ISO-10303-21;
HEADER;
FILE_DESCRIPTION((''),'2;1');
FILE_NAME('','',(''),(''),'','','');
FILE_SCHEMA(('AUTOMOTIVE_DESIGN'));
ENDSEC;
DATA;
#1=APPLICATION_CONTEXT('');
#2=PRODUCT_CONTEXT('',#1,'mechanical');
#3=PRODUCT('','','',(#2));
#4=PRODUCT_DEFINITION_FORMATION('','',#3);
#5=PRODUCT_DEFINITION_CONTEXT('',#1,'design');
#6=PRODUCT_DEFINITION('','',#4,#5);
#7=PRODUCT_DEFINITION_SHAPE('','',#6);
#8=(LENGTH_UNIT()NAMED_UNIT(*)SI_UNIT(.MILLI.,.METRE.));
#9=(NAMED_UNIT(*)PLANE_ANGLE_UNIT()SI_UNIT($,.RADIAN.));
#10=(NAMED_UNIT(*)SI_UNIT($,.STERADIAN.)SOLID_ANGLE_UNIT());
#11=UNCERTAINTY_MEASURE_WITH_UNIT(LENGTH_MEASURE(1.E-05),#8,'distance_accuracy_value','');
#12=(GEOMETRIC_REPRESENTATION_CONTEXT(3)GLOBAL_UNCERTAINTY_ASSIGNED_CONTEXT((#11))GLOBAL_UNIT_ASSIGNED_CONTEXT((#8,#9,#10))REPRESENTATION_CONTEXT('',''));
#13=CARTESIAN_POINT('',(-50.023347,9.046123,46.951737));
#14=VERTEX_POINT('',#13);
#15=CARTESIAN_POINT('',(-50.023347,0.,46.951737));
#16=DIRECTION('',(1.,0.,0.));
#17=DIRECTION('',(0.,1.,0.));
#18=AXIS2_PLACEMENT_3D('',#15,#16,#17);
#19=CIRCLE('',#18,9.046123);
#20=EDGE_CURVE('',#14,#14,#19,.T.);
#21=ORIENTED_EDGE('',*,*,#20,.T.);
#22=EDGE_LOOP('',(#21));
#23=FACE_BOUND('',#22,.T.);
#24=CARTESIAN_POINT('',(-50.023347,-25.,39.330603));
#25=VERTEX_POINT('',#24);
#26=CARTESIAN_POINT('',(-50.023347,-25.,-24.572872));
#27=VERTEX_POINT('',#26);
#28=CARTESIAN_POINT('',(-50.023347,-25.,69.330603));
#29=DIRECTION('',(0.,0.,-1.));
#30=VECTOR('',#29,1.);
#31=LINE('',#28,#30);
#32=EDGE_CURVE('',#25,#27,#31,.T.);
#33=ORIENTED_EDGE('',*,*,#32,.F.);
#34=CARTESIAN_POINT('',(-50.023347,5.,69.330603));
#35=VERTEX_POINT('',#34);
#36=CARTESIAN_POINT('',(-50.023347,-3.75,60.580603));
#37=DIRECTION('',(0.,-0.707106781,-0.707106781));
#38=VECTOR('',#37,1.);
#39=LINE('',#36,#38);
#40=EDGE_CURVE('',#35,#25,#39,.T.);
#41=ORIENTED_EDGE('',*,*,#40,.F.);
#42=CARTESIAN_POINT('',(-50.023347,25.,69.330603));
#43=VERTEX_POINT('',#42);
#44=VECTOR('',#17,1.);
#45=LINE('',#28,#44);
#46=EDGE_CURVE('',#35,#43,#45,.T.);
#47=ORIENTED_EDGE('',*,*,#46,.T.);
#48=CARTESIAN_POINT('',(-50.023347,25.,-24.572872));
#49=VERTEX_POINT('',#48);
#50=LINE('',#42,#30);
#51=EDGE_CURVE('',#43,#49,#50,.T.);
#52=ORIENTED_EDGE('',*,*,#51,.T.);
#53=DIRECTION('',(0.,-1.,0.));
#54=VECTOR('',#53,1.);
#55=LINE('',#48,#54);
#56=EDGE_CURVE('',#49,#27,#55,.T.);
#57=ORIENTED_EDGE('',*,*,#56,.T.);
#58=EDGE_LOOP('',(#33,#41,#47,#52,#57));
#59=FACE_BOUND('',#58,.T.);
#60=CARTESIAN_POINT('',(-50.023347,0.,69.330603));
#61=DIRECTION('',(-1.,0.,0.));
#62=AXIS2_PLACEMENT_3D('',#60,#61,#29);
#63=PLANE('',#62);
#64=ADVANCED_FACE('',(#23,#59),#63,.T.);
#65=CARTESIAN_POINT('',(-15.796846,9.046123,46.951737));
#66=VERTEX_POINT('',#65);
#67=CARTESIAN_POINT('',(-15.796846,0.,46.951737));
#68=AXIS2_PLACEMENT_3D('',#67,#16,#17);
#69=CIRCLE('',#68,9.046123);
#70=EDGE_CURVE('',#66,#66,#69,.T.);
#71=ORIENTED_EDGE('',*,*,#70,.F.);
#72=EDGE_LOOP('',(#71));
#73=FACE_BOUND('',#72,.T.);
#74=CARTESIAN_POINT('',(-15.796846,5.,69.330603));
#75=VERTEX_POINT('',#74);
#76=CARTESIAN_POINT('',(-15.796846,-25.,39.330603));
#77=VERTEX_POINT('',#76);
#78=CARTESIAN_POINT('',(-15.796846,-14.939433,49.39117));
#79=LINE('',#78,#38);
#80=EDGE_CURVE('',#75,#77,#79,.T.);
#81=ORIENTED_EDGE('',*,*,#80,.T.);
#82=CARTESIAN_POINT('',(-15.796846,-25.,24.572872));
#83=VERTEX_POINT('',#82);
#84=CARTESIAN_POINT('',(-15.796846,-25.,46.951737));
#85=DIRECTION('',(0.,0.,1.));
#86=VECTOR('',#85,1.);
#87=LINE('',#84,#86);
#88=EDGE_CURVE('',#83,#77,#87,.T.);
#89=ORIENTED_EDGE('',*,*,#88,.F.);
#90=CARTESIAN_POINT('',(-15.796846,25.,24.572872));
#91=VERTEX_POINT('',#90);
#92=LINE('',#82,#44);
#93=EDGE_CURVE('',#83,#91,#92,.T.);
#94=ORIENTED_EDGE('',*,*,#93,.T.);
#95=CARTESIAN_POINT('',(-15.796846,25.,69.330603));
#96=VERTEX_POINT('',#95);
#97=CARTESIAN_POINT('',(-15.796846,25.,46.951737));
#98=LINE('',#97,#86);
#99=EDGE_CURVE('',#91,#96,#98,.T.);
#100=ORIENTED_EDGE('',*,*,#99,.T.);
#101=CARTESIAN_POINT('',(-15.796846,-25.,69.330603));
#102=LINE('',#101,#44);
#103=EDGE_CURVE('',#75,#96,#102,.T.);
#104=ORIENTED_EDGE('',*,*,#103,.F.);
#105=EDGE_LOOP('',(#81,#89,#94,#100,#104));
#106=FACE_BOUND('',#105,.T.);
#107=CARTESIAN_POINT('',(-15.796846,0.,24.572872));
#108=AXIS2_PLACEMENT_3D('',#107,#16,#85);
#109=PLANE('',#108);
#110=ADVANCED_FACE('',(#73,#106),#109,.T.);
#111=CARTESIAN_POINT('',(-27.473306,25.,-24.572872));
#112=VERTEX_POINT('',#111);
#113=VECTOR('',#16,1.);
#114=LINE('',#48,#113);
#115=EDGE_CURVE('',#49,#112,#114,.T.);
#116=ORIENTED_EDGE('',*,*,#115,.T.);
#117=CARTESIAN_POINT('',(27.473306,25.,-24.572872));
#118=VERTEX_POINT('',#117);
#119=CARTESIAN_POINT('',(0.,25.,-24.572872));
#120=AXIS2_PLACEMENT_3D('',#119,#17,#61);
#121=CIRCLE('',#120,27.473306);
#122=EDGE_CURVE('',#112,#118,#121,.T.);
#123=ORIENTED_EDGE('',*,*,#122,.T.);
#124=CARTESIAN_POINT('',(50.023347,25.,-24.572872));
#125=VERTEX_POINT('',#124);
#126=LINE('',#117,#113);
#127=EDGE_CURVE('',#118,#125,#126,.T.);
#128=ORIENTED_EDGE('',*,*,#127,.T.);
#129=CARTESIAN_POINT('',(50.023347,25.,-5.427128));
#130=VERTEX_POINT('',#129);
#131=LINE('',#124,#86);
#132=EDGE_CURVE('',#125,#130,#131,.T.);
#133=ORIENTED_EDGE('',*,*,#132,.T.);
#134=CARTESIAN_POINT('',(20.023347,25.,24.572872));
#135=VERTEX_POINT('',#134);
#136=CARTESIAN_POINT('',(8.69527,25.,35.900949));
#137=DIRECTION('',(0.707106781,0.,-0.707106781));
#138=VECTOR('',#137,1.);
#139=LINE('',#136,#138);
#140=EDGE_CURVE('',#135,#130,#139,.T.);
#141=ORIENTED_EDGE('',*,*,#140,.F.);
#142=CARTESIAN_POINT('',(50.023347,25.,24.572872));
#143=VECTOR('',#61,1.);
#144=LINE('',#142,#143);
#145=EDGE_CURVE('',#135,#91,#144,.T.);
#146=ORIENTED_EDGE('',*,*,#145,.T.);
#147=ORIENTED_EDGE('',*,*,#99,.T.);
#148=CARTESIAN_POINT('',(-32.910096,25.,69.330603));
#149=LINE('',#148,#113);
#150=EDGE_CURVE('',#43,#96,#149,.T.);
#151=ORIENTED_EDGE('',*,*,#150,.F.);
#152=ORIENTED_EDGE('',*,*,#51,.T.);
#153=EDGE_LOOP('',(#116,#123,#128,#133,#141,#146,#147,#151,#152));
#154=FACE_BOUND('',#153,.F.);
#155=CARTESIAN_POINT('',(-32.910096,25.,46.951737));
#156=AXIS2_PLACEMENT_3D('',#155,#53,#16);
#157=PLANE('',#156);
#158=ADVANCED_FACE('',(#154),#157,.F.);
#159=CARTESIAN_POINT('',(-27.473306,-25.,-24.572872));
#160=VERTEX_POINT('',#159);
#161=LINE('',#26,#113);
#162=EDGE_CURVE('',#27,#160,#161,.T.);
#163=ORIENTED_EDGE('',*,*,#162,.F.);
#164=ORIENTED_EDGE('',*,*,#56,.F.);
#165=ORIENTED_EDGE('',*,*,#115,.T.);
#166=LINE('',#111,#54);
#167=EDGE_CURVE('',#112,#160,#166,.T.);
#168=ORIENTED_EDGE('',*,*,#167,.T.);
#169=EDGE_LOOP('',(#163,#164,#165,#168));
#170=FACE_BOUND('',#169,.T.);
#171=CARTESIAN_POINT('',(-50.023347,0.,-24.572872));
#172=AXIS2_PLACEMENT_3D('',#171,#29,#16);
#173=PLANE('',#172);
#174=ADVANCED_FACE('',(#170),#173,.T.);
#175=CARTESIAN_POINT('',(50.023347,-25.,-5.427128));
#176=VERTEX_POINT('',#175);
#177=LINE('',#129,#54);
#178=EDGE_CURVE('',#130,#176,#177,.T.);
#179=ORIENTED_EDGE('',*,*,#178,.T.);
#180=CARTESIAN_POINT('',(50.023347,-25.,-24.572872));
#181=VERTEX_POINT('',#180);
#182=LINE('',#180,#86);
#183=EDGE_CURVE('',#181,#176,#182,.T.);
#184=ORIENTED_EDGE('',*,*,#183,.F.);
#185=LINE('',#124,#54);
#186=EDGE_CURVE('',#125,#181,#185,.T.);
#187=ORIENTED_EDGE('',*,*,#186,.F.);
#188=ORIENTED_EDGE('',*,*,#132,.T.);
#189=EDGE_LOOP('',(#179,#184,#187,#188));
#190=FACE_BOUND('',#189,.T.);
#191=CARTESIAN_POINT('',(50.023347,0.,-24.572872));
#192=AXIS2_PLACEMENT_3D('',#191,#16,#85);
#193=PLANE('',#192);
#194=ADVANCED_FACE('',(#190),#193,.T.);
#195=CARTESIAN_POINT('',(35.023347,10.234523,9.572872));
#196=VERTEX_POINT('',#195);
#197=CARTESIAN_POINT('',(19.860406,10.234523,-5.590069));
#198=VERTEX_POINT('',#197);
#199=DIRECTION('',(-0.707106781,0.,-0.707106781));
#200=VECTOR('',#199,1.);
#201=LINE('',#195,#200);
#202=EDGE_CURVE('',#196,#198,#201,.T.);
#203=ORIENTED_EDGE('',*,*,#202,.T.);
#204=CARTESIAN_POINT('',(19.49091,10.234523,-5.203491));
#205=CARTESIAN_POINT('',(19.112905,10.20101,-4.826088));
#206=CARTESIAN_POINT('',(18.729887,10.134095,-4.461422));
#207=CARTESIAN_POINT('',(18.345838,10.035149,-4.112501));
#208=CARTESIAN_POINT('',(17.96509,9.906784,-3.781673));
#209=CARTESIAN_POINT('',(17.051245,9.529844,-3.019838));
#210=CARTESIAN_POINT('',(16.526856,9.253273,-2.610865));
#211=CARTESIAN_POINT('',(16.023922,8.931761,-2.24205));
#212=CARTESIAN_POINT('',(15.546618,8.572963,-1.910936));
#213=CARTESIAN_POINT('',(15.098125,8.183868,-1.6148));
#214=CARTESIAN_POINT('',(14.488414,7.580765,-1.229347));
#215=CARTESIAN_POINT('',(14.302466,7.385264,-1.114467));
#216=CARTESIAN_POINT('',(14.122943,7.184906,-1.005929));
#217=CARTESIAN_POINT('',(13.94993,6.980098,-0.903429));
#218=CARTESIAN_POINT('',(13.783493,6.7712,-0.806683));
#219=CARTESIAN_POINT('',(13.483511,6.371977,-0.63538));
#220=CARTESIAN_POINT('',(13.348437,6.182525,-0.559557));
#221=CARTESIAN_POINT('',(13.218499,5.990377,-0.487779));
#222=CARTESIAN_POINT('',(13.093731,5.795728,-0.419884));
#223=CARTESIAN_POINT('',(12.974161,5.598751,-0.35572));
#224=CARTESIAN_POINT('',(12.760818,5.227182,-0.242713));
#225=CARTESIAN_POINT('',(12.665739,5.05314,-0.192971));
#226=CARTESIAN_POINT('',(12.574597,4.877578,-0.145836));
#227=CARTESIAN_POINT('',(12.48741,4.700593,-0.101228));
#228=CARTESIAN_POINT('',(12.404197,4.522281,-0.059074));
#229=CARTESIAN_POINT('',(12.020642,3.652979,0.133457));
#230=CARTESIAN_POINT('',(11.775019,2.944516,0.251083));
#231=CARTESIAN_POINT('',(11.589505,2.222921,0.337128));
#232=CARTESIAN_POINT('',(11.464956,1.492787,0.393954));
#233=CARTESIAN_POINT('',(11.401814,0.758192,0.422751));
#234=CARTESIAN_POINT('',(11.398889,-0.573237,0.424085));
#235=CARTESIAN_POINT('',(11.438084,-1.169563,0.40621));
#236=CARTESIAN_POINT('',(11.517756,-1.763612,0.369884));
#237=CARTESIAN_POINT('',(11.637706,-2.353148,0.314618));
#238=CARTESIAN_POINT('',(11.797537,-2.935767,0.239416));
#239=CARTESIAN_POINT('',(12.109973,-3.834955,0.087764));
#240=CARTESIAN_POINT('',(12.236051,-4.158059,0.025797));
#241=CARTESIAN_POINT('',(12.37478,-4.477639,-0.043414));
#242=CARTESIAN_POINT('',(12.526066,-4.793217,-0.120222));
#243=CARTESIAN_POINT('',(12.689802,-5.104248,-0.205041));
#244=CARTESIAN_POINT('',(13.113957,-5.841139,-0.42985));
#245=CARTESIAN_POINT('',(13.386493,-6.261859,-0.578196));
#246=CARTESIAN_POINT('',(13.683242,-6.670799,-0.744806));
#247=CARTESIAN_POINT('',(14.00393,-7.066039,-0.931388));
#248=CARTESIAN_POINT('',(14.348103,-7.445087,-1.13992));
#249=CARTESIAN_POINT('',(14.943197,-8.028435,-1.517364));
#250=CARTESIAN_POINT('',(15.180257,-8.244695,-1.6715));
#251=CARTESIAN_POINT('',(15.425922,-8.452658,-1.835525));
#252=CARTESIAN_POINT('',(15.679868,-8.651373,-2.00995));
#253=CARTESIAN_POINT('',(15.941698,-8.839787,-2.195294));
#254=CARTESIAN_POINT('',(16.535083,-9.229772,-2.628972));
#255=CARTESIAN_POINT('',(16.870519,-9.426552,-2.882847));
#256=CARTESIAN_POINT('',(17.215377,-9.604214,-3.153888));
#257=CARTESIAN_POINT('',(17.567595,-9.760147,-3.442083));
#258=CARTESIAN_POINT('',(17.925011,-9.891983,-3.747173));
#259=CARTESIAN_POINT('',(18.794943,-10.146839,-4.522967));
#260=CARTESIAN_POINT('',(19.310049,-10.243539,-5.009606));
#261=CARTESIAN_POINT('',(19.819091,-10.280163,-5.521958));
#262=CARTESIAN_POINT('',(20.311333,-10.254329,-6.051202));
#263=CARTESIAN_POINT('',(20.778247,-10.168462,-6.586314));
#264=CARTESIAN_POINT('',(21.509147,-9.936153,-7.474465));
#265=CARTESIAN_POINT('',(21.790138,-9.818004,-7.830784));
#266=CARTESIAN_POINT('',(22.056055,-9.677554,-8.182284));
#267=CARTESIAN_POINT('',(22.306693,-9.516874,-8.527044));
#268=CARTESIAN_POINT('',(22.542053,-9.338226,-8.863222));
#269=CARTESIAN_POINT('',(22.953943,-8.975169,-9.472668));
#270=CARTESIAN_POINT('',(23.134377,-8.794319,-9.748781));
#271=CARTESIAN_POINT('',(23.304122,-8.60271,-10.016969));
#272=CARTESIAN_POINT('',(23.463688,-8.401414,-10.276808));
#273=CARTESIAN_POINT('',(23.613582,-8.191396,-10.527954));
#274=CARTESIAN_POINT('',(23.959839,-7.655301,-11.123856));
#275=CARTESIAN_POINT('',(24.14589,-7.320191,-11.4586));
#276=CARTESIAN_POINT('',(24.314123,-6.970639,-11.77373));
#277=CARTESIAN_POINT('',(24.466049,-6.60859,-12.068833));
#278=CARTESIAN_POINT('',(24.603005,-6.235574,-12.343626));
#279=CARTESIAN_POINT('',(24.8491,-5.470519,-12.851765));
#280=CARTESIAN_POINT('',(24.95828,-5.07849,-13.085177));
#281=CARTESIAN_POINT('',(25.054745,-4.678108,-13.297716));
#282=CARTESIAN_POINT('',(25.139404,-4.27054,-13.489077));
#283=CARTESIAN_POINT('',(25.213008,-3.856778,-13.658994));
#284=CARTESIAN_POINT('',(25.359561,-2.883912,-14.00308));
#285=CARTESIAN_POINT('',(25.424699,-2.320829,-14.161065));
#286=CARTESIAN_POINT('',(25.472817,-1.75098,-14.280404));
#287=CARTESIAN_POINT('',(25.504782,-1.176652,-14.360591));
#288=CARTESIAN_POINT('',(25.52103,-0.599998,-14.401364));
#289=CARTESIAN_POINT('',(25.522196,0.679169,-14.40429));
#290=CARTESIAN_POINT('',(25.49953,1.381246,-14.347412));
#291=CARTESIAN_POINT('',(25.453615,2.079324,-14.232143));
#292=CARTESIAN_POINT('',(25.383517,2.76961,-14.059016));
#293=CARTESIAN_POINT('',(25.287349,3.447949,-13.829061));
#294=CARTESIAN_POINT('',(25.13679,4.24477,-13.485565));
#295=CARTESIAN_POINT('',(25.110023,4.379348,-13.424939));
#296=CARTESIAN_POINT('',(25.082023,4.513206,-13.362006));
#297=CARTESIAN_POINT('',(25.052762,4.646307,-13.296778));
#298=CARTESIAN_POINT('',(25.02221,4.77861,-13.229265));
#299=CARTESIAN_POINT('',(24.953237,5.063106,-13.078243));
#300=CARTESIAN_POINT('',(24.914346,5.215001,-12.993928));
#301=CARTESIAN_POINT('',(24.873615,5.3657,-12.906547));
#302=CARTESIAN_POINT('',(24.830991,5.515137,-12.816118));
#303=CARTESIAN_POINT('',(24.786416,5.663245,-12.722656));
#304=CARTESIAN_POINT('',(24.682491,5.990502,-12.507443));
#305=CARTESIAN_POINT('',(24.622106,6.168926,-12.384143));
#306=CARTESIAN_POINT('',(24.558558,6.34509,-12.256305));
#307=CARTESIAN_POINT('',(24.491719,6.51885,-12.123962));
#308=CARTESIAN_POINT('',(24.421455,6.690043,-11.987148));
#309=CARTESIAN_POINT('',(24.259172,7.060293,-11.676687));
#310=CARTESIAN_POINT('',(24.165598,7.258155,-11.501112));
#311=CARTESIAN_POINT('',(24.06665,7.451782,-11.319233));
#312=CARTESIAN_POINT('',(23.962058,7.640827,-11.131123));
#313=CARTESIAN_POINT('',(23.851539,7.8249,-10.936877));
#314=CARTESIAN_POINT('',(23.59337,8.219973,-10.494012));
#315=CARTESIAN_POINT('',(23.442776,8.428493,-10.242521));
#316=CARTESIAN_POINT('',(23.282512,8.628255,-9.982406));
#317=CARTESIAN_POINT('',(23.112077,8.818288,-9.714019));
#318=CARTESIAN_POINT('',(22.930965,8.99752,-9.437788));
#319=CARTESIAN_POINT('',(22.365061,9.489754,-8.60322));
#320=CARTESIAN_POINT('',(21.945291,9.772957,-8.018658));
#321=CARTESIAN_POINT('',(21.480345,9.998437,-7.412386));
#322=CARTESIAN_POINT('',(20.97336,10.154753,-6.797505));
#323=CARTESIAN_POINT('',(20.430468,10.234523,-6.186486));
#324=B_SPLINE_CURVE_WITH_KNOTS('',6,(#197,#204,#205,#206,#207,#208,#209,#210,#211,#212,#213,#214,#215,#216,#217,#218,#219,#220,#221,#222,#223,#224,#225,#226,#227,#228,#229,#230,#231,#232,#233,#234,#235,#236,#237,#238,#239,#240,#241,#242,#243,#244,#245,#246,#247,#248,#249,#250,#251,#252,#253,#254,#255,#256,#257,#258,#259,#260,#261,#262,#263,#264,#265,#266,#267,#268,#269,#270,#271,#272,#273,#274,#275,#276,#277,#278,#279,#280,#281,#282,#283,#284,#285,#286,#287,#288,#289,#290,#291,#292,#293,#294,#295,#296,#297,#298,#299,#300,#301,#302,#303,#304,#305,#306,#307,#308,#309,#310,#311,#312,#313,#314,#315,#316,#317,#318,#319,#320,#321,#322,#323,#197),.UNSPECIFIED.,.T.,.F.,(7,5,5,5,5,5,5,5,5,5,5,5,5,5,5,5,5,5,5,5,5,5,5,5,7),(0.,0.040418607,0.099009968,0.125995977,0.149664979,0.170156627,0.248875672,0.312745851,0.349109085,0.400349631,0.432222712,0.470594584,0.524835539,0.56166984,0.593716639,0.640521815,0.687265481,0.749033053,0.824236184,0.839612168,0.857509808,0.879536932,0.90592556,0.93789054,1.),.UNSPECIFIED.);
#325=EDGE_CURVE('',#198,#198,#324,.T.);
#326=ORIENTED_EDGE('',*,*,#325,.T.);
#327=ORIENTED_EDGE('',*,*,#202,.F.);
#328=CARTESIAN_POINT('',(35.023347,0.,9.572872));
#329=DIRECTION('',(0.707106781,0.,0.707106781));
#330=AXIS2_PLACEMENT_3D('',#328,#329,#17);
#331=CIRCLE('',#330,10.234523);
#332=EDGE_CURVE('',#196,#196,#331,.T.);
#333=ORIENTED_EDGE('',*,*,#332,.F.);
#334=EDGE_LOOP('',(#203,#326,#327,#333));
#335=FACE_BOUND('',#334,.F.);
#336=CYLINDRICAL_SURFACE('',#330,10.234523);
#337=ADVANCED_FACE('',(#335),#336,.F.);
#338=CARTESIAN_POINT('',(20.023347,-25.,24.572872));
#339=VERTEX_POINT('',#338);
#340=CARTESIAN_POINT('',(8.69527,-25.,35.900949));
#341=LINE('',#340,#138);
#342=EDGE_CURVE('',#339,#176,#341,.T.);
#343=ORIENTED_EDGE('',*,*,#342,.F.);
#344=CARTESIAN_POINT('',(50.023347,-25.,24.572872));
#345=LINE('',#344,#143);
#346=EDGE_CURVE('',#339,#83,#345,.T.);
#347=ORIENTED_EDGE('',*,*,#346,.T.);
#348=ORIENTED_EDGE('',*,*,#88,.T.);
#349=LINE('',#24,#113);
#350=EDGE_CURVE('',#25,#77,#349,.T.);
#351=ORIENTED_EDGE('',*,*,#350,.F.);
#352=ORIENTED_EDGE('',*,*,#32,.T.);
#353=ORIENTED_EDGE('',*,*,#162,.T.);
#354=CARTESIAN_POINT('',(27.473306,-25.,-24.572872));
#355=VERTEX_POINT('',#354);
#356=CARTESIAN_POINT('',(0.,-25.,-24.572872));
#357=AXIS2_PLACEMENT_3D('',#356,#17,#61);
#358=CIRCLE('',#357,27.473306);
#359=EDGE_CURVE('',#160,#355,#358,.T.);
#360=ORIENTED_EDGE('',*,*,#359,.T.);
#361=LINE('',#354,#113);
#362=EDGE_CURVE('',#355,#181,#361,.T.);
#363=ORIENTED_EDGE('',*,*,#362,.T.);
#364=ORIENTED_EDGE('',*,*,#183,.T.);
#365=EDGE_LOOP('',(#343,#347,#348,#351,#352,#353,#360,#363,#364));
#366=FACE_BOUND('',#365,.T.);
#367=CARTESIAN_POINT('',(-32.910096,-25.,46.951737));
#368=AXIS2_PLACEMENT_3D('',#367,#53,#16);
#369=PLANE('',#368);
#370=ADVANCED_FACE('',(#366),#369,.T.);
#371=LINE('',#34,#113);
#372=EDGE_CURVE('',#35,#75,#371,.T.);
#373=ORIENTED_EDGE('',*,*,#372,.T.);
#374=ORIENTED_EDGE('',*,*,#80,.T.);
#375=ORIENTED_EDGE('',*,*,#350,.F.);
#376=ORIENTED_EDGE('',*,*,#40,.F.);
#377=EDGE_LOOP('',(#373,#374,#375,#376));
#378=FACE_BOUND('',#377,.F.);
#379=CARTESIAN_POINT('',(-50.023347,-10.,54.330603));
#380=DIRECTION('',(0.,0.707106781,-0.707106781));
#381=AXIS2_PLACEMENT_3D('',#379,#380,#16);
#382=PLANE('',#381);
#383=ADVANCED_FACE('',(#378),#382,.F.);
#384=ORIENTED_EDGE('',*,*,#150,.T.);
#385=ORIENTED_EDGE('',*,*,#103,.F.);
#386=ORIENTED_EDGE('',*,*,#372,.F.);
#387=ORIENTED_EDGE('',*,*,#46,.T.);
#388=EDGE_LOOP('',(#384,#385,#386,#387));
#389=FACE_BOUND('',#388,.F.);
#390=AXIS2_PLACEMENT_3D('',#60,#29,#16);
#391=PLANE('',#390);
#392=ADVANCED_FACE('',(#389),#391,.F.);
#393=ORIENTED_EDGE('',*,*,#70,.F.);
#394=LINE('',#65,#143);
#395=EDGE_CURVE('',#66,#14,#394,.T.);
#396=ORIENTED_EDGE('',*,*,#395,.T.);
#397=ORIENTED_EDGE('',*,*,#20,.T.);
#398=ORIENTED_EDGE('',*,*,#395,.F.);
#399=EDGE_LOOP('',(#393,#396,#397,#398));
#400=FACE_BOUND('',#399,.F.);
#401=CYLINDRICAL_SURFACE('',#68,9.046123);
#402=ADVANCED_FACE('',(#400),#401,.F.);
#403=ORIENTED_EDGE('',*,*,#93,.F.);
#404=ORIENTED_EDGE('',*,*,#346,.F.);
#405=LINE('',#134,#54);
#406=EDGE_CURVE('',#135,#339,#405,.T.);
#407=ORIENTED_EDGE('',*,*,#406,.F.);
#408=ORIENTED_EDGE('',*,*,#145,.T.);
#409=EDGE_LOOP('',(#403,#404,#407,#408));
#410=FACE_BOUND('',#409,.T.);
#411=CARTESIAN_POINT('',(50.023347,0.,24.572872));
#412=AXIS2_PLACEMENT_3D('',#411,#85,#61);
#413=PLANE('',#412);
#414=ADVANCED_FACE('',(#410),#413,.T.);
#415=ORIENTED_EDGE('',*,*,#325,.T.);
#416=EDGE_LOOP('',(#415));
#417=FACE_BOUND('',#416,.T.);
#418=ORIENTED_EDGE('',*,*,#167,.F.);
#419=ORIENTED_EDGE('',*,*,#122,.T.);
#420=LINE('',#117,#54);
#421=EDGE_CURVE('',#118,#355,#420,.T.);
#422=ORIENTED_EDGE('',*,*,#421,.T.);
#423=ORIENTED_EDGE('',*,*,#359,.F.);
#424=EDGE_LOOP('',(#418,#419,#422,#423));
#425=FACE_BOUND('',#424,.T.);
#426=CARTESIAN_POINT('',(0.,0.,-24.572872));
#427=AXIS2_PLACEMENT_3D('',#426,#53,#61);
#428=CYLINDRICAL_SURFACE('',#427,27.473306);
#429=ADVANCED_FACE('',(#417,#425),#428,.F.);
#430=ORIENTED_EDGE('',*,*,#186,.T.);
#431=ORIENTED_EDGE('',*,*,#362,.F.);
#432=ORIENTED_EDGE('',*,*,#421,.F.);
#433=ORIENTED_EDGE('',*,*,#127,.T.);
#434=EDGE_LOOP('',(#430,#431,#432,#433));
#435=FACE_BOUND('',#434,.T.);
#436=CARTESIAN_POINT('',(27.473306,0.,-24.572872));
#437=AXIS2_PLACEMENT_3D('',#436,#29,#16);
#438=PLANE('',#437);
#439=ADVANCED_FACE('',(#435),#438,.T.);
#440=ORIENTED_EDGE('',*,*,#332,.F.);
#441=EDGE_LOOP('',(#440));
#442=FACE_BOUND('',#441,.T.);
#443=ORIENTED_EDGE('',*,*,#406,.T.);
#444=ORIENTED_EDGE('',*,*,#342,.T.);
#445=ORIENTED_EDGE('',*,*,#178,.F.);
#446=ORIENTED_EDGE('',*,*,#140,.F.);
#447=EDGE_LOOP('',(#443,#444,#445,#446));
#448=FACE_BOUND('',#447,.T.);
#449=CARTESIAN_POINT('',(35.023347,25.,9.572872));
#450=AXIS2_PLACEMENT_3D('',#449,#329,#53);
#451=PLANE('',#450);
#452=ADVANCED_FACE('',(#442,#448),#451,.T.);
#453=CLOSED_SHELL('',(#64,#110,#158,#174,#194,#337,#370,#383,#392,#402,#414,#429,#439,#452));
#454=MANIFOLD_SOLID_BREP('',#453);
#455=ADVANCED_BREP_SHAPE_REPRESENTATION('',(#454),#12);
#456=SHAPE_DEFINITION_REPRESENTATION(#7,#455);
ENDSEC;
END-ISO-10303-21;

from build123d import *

# Parameters (mm, degrees)
F0_W     = 34.2265013605
F0_H     = 44.7577312589
F1_DEPTH = 25
F2_SIZE  = 30
F3_SIZE  = 30
F4_R     = 9.0461228016
F5_DEPTH = 34.2275013605
F6_R     = 10.2345227576
F7_DEPTH = 84.2827808433


with BuildPart() as f1:
    # F0 (on Front) → F1 (new body, symmetric)
    with BuildSketch(Plane.XZ):
        with Locations((-32.9100964591, 46.9517372549)):
            Rectangle(F0_W, F0_H)
        with BuildLine():
            Line((-15.7968457788, 24.5728716254), (-50.0233471394, 24.5728716254))
            Line((-50.0233471394, 24.5728716254), (-50.0233471394, -24.5728716254))
            Line((-50.0233471394, -24.5728716254), (-27.4733056784, -24.5728716254))
            ThreePointArc((-27.4733056784, -24.5728716254), (0, 2.900434053), (27.4733056784, -24.5728716254))
            Line((27.4733056784, -24.5728716254), (50.0233471394, -24.5728716254))
            Line((50.0233471394, -24.5728716254), (50.0233471394, 24.5728716254))
            Line((50.0233471394, 24.5728716254), (-15.7968457788, 24.5728716254))
        make_face()
    extrude(amount=F1_DEPTH, both=True)

    # F2
    f2_edges = [f1.edges().sort_by_distance(p)[0] for p in [
        (-32.910096, -25, 69.330603),
    ]]
    chamfer(f2_edges, length=F2_SIZE)

    # F3
    f3_edges = [f1.edges().sort_by_distance(p)[0] for p in [
        (50.023347, 0, 24.572872),
    ]]
    chamfer(f3_edges, length=F3_SIZE)

    # F4 (on face) → F5 (cut, through all)
    with BuildSketch(Plane.YZ.offset(-15.7968457788)):
        with Locations((0, 46.9517372549)):
            Circle(F4_R)
    extrude(amount=-F5_DEPTH, mode=Mode.SUBTRACT)

    # F6 (on face) → F7 (cut, through all)
    with BuildSketch(Plane(origin=(22.2981093824, 0, 22.2981093824), x_dir=(0, 1, 0), z_dir=(0.7071067812, 0, 0.7071067812))):
        with Locations((0, -17.9962038203)):
            Circle(F6_R)
    extrude(amount=-F7_DEPTH, mode=Mode.SUBTRACT)


solid = f1.part
